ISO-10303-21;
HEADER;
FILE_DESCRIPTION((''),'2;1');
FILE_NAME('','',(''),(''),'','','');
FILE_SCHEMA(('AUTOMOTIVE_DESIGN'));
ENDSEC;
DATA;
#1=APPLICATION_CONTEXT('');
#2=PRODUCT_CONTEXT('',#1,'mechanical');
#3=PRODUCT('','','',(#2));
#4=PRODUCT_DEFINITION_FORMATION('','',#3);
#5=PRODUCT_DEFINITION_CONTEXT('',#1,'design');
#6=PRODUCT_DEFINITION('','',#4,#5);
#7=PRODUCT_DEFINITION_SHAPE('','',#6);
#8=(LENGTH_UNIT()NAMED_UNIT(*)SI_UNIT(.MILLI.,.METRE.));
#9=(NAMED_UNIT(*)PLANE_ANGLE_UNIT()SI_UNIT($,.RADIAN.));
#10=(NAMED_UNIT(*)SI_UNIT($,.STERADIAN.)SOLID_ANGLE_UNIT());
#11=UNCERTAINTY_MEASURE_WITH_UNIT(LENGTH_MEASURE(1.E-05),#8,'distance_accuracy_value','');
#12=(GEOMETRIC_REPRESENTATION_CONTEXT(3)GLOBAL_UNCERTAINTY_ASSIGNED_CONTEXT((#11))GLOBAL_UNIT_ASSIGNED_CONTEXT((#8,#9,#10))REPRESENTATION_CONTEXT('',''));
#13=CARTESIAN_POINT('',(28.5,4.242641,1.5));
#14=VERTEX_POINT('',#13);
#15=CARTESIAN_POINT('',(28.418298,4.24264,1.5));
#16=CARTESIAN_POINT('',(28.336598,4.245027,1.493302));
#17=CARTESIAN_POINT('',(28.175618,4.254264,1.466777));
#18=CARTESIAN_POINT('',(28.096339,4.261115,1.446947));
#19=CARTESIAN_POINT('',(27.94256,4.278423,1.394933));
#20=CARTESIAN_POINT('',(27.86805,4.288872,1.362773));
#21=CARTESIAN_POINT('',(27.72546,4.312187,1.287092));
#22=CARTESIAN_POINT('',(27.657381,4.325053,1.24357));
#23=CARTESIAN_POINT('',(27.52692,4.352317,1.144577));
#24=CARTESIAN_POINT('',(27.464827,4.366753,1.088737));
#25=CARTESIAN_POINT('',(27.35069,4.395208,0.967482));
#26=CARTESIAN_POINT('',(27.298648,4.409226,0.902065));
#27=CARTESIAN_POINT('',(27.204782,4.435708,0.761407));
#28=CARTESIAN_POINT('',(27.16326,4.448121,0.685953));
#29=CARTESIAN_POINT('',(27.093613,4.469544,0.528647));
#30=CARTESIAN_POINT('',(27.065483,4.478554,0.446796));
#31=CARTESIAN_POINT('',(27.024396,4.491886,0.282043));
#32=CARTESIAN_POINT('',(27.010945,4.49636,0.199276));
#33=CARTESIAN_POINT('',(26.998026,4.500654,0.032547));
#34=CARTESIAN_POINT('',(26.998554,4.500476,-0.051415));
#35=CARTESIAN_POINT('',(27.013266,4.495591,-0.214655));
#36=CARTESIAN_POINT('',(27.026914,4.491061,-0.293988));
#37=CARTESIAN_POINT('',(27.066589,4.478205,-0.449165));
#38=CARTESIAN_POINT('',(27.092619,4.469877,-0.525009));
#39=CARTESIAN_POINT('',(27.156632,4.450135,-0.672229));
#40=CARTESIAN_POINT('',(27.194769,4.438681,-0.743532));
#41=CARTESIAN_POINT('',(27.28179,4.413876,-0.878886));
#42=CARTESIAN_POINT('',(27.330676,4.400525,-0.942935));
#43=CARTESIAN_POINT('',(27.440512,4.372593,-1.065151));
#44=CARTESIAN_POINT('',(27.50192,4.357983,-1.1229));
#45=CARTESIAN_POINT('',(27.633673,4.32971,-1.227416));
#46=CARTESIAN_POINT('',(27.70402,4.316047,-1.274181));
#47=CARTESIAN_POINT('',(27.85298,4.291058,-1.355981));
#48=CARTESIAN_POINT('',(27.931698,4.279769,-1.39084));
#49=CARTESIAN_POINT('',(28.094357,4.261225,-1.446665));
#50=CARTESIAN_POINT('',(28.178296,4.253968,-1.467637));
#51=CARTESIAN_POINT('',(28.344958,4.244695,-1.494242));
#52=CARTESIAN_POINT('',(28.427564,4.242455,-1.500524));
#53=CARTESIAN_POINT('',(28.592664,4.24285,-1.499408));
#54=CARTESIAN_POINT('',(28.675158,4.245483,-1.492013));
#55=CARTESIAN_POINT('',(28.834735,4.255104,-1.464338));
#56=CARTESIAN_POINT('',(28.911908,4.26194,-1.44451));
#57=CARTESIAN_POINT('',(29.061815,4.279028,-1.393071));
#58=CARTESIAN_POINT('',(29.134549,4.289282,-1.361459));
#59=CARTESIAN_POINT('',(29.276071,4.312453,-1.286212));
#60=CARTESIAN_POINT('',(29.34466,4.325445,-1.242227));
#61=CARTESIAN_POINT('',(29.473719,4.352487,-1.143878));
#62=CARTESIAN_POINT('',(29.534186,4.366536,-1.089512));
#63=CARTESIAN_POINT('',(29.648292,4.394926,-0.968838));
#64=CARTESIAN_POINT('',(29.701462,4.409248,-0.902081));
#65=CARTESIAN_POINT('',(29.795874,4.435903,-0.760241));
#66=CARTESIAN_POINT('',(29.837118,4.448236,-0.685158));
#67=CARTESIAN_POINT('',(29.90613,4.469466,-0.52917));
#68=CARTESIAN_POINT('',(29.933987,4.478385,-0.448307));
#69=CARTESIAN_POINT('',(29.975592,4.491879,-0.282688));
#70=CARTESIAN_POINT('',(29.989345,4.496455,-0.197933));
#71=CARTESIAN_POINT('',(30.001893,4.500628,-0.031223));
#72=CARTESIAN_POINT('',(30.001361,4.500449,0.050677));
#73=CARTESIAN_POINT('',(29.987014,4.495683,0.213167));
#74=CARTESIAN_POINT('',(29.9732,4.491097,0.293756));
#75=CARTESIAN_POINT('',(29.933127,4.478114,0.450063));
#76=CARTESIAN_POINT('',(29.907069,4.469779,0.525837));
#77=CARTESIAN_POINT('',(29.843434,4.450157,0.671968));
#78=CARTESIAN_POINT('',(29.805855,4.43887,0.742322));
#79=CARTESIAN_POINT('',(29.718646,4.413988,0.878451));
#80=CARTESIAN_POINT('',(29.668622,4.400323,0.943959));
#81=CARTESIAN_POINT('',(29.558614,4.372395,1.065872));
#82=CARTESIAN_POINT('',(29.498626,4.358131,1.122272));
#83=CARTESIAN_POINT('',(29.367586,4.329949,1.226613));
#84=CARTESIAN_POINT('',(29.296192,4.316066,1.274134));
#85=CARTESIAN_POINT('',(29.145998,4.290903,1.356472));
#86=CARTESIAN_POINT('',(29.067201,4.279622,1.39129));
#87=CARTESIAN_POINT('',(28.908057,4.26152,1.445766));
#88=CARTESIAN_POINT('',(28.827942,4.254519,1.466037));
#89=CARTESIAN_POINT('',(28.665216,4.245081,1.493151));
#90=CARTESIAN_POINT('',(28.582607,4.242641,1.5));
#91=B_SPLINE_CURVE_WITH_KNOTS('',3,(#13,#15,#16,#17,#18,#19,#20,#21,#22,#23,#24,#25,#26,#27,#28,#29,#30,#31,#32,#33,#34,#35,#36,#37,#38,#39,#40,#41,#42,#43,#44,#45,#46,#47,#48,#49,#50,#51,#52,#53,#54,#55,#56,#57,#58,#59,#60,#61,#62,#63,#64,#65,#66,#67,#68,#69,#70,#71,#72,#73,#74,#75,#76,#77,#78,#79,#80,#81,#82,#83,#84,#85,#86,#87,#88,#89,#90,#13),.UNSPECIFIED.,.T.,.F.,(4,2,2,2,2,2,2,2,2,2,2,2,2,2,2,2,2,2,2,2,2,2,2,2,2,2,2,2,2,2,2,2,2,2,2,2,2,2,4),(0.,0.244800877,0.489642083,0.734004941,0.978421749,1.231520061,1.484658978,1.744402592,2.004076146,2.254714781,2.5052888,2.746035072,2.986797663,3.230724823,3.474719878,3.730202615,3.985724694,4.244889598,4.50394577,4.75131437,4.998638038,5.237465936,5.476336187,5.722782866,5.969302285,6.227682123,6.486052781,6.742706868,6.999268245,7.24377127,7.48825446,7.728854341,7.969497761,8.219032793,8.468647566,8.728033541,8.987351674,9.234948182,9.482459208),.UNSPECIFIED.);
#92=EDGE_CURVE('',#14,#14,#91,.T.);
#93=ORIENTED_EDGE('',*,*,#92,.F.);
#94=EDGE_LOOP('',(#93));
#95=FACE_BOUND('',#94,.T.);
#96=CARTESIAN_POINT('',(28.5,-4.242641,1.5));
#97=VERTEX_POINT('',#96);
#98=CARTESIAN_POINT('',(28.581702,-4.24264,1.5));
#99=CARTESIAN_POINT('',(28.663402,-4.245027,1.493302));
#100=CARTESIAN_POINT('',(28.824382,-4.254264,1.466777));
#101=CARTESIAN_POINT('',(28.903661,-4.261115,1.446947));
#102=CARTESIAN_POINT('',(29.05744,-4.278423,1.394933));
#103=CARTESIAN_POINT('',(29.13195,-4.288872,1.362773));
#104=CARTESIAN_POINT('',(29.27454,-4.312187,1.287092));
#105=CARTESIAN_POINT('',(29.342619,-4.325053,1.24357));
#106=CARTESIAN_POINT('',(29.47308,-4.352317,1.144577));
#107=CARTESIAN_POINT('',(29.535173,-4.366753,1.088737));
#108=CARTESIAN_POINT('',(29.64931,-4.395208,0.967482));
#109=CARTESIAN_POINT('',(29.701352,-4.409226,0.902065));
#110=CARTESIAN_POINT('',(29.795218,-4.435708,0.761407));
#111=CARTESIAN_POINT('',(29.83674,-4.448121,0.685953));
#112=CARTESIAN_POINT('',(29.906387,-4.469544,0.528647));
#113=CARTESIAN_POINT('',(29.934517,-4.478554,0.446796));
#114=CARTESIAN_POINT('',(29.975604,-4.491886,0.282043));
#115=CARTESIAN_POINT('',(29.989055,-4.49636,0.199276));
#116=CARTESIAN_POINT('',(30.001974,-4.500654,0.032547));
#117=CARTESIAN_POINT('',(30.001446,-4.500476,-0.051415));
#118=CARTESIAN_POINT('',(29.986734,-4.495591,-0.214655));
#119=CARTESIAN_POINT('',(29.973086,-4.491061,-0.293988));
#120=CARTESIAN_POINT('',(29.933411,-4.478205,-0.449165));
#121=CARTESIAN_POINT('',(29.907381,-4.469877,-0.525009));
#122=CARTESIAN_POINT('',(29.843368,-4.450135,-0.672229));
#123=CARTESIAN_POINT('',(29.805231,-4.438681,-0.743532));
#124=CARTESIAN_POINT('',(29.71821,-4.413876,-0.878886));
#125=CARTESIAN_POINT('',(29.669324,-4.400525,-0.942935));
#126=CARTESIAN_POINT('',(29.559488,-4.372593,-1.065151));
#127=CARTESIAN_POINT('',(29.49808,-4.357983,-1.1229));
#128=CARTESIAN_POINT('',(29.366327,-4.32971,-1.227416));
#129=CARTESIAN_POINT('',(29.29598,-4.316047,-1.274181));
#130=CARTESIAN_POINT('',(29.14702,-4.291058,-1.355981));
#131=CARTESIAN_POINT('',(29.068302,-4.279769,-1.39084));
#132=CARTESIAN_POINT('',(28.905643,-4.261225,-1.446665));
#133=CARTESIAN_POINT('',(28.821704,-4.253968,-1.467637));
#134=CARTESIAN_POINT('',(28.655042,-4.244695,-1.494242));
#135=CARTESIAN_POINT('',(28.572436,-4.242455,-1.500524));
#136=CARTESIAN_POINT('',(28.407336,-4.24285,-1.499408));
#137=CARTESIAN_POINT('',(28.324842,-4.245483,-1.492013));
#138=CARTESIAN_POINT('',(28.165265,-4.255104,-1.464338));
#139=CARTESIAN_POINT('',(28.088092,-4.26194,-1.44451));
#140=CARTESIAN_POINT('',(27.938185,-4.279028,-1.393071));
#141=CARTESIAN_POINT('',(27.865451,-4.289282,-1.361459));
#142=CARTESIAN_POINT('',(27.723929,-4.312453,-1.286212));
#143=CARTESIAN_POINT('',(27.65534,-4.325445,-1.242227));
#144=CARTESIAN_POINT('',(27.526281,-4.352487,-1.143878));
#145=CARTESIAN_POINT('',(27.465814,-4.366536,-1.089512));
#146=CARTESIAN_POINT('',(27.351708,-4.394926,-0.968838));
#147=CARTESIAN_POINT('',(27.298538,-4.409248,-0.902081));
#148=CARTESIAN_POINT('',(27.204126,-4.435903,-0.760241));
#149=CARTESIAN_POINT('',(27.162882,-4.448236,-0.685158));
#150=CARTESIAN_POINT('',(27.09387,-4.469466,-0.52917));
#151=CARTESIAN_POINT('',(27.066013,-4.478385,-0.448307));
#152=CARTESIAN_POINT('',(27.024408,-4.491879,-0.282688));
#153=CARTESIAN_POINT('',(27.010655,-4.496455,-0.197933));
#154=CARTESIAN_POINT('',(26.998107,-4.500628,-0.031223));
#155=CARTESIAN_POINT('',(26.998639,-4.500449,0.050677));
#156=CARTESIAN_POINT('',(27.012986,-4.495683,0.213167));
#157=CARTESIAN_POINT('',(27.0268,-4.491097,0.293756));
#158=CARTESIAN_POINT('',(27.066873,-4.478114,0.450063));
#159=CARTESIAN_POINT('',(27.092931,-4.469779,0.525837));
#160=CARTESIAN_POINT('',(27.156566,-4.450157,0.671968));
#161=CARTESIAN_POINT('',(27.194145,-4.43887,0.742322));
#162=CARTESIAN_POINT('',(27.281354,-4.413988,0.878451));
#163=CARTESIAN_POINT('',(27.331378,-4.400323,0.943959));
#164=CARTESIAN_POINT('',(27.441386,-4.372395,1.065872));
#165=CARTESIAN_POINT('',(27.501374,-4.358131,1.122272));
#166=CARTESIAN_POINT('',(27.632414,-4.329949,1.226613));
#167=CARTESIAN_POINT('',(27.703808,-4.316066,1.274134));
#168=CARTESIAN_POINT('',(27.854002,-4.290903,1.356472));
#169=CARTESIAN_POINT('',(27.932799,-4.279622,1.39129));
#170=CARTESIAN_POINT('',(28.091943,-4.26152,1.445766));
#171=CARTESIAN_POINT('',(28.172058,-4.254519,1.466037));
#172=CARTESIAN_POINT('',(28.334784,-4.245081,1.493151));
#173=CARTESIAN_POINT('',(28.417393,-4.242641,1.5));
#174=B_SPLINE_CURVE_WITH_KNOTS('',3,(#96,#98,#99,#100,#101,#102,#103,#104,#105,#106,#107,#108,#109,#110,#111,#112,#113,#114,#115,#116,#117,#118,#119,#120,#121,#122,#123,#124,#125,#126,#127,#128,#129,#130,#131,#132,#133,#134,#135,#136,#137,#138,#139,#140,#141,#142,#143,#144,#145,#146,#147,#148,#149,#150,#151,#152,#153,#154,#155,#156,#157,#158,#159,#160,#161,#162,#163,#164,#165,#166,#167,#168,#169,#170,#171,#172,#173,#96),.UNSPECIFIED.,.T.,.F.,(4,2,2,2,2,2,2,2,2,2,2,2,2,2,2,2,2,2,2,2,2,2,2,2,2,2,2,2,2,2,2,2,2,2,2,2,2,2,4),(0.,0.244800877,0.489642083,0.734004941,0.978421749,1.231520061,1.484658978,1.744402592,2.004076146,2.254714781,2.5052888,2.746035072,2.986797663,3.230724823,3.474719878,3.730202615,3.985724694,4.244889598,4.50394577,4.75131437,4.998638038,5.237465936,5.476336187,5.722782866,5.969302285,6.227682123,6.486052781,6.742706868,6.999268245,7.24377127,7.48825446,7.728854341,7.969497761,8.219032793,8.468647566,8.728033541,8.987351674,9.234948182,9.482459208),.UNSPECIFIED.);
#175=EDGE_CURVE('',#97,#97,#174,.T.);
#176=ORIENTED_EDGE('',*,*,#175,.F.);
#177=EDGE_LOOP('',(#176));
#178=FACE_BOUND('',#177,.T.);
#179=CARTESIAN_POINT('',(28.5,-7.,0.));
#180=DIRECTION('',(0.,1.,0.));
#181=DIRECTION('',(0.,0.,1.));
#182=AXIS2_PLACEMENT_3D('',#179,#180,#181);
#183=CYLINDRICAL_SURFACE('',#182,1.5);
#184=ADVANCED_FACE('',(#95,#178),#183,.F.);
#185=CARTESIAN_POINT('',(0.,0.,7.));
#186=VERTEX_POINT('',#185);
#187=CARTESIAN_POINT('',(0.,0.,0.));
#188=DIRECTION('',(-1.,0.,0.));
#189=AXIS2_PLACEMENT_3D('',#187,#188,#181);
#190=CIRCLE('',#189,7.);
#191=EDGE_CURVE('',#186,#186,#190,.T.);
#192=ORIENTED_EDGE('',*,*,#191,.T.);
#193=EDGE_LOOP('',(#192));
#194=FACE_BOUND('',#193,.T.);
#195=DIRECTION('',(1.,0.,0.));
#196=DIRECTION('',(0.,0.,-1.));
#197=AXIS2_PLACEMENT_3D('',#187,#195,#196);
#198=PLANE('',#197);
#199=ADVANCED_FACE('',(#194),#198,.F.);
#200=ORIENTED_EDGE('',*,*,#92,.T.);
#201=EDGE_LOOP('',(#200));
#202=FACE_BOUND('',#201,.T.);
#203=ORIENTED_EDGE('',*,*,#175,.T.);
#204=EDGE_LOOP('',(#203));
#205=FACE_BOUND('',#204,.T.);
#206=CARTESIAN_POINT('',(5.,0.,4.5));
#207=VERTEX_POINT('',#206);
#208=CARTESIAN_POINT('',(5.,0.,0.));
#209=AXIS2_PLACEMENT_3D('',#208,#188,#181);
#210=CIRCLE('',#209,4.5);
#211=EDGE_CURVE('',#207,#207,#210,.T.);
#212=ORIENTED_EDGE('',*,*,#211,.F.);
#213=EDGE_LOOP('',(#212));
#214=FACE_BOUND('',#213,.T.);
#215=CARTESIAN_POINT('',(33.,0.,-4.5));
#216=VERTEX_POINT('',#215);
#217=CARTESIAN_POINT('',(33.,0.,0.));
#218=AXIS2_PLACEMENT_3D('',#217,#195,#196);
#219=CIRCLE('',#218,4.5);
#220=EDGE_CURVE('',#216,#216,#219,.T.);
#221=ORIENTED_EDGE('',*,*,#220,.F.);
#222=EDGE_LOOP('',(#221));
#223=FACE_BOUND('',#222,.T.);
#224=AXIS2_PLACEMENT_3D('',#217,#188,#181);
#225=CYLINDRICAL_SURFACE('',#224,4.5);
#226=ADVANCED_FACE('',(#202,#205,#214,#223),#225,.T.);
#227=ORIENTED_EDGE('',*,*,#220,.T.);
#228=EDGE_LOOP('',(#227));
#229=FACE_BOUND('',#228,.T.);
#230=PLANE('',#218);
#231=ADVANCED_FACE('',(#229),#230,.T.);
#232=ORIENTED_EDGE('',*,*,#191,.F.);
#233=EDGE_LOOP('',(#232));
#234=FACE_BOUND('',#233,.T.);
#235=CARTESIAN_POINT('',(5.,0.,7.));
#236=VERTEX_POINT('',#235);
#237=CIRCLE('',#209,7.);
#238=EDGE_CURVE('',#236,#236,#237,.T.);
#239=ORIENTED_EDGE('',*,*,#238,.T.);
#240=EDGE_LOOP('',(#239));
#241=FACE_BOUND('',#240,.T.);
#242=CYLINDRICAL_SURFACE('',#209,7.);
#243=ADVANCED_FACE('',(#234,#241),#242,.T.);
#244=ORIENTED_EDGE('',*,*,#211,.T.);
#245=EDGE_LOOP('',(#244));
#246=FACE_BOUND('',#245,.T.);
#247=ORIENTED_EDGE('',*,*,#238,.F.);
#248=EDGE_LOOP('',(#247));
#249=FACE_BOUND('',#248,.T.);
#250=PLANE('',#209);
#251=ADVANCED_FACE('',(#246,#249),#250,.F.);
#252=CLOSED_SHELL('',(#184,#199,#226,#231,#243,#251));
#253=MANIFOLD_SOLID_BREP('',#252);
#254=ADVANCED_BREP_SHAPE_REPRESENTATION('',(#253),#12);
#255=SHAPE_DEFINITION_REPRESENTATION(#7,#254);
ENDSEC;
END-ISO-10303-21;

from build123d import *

# Parameters (mm, degrees)
SKETCH1_R               = 4.5
BOSS_EXTRUDE1_DEPTH     = 33
SKETCH2_R               = 7
BOSS_EXTRUDE2_DEPTH     = 5
CUT_EXTRUDE1_DEPTH      = 35.452866354
CUT_EXTRUDE1_DEPTH_BACK = 35.452866354
SKETCH3_R               = 1.5


with BuildPart() as part:
    # Sketch1 → Boss-Extrude1 (new body)
    with BuildSketch(Plane(origin=(0, 0, 0), x_dir=(0, 0, -1), z_dir=(1, 0, 0))):
        Circle(SKETCH1_R)
    extrude(amount=BOSS_EXTRUDE1_DEPTH)

    # Sketch2 → Boss-Extrude2 (add)
    with BuildSketch(Plane.ZY):
        Circle(SKETCH2_R)
    extrude(amount=-BOSS_EXTRUDE2_DEPTH)

    # Sketch3 → Cut-Extrude1 (cut, two sides: drawn at the far end of the back side and taken through both)
    with BuildSketch(Plane(origin=(0, 0, 0), x_dir=(1, 0, 0), z_dir=(0, 1, 0)).offset(-CUT_EXTRUDE1_DEPTH_BACK)):
        with Locations(Location((28.5, 0, 0), (0, 0, 270))):
            Circle(SKETCH3_R)
    extrude(amount=CUT_EXTRUDE1_DEPTH + CUT_EXTRUDE1_DEPTH_BACK, mode=Mode.SUBTRACT)


solid = part.part
